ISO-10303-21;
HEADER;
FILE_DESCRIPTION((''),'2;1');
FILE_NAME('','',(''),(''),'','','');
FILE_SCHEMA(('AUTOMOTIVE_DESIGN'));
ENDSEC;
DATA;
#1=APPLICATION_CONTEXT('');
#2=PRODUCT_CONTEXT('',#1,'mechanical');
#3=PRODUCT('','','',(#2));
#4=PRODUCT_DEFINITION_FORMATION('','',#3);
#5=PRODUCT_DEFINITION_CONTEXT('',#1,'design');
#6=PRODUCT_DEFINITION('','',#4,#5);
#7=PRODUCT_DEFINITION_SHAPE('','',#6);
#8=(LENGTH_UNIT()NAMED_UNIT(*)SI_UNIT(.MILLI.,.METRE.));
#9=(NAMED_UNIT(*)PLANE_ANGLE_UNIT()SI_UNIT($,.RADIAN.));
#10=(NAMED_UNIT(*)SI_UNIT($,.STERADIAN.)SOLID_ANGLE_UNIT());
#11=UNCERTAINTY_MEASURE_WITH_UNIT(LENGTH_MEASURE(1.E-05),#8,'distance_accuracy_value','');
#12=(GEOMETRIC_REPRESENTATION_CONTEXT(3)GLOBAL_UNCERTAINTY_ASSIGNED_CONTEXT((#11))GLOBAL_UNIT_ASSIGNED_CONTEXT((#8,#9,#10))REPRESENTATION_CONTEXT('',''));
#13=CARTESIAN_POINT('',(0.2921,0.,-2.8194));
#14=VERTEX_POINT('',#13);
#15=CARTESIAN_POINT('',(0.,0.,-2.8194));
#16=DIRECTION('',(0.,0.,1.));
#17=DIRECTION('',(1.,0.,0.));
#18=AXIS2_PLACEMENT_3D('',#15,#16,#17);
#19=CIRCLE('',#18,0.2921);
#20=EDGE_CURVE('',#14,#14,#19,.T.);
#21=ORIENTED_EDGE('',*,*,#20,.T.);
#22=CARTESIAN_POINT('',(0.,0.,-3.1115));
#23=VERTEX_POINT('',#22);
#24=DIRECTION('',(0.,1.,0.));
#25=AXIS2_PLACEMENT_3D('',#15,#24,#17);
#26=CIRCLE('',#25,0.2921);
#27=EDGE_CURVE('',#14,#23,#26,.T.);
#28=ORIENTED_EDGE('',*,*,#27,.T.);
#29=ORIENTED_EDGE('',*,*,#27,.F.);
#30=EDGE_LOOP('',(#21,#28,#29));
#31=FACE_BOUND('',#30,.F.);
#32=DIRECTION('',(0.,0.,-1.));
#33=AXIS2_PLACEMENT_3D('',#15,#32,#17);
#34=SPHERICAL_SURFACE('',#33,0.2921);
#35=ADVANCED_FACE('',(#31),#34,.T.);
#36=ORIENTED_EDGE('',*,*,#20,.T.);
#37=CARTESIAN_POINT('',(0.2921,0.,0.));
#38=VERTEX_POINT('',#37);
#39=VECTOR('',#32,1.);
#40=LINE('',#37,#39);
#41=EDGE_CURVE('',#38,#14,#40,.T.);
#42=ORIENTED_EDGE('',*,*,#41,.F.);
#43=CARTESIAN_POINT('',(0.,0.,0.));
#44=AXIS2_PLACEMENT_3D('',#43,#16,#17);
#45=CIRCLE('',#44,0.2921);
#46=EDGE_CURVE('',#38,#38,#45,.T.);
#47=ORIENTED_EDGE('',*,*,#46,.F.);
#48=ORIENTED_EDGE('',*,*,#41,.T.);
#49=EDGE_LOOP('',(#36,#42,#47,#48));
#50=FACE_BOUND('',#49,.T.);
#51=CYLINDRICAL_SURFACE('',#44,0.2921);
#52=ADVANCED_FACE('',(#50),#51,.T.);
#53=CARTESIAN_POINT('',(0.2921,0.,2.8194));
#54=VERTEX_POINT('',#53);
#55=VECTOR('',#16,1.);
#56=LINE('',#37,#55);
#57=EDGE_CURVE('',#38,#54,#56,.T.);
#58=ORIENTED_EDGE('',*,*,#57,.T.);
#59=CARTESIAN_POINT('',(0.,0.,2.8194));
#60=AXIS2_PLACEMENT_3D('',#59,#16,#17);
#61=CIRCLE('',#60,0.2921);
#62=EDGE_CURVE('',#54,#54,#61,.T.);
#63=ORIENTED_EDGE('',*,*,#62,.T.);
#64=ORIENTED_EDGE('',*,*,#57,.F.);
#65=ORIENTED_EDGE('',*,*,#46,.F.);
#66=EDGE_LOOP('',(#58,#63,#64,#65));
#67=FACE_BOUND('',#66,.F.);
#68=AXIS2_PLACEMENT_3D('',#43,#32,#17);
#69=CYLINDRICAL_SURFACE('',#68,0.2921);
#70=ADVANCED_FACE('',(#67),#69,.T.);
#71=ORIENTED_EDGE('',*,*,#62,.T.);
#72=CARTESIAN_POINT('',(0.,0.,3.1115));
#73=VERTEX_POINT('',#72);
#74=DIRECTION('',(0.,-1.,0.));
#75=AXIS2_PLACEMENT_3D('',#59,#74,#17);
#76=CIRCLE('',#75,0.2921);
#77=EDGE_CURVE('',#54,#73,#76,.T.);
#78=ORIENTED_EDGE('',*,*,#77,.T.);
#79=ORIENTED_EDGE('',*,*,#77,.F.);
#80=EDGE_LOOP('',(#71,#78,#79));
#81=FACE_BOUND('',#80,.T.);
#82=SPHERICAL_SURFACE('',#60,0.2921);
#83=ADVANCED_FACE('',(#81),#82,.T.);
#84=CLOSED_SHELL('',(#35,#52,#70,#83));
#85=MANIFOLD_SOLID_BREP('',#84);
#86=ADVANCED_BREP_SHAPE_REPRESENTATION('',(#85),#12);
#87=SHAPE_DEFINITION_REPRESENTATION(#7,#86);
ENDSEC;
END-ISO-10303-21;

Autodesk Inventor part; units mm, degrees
ref_plane "YZ Plane" through (0, 0, 0) normal (1, 0, 0) x (0, 1, 0)
ref_plane "XZ Plane" through (0, 0, 0) normal (0, 1, 0) x (-1, 0, 0)
ref_plane "XY Plane" through (0, 0, 0) normal (0, 0, 1) x (1, 0, 0)
sketch "Sketch1-<F>" plane through (0, 0, 0) normal (0, 0, 1) x (1, 0, 0)
  circle A0 centre (0, 0) radius 0.2921
  dimension "d3" = 0.5842
extrude "Midplane_HP" add sketch "Sketch1-<F>" along normal mid plane 6.223
fillet "Fillet2" radius 0.2921 2 edges at (-0.2921, 0, 3.1115) (-0.2921, 0, -3.1115)
equation "\"mdt_d0\" = 0"
equation "\"mdt_d3\" = 0.011"
properties part number "99a-1047031000" material "Stainless Steel"
